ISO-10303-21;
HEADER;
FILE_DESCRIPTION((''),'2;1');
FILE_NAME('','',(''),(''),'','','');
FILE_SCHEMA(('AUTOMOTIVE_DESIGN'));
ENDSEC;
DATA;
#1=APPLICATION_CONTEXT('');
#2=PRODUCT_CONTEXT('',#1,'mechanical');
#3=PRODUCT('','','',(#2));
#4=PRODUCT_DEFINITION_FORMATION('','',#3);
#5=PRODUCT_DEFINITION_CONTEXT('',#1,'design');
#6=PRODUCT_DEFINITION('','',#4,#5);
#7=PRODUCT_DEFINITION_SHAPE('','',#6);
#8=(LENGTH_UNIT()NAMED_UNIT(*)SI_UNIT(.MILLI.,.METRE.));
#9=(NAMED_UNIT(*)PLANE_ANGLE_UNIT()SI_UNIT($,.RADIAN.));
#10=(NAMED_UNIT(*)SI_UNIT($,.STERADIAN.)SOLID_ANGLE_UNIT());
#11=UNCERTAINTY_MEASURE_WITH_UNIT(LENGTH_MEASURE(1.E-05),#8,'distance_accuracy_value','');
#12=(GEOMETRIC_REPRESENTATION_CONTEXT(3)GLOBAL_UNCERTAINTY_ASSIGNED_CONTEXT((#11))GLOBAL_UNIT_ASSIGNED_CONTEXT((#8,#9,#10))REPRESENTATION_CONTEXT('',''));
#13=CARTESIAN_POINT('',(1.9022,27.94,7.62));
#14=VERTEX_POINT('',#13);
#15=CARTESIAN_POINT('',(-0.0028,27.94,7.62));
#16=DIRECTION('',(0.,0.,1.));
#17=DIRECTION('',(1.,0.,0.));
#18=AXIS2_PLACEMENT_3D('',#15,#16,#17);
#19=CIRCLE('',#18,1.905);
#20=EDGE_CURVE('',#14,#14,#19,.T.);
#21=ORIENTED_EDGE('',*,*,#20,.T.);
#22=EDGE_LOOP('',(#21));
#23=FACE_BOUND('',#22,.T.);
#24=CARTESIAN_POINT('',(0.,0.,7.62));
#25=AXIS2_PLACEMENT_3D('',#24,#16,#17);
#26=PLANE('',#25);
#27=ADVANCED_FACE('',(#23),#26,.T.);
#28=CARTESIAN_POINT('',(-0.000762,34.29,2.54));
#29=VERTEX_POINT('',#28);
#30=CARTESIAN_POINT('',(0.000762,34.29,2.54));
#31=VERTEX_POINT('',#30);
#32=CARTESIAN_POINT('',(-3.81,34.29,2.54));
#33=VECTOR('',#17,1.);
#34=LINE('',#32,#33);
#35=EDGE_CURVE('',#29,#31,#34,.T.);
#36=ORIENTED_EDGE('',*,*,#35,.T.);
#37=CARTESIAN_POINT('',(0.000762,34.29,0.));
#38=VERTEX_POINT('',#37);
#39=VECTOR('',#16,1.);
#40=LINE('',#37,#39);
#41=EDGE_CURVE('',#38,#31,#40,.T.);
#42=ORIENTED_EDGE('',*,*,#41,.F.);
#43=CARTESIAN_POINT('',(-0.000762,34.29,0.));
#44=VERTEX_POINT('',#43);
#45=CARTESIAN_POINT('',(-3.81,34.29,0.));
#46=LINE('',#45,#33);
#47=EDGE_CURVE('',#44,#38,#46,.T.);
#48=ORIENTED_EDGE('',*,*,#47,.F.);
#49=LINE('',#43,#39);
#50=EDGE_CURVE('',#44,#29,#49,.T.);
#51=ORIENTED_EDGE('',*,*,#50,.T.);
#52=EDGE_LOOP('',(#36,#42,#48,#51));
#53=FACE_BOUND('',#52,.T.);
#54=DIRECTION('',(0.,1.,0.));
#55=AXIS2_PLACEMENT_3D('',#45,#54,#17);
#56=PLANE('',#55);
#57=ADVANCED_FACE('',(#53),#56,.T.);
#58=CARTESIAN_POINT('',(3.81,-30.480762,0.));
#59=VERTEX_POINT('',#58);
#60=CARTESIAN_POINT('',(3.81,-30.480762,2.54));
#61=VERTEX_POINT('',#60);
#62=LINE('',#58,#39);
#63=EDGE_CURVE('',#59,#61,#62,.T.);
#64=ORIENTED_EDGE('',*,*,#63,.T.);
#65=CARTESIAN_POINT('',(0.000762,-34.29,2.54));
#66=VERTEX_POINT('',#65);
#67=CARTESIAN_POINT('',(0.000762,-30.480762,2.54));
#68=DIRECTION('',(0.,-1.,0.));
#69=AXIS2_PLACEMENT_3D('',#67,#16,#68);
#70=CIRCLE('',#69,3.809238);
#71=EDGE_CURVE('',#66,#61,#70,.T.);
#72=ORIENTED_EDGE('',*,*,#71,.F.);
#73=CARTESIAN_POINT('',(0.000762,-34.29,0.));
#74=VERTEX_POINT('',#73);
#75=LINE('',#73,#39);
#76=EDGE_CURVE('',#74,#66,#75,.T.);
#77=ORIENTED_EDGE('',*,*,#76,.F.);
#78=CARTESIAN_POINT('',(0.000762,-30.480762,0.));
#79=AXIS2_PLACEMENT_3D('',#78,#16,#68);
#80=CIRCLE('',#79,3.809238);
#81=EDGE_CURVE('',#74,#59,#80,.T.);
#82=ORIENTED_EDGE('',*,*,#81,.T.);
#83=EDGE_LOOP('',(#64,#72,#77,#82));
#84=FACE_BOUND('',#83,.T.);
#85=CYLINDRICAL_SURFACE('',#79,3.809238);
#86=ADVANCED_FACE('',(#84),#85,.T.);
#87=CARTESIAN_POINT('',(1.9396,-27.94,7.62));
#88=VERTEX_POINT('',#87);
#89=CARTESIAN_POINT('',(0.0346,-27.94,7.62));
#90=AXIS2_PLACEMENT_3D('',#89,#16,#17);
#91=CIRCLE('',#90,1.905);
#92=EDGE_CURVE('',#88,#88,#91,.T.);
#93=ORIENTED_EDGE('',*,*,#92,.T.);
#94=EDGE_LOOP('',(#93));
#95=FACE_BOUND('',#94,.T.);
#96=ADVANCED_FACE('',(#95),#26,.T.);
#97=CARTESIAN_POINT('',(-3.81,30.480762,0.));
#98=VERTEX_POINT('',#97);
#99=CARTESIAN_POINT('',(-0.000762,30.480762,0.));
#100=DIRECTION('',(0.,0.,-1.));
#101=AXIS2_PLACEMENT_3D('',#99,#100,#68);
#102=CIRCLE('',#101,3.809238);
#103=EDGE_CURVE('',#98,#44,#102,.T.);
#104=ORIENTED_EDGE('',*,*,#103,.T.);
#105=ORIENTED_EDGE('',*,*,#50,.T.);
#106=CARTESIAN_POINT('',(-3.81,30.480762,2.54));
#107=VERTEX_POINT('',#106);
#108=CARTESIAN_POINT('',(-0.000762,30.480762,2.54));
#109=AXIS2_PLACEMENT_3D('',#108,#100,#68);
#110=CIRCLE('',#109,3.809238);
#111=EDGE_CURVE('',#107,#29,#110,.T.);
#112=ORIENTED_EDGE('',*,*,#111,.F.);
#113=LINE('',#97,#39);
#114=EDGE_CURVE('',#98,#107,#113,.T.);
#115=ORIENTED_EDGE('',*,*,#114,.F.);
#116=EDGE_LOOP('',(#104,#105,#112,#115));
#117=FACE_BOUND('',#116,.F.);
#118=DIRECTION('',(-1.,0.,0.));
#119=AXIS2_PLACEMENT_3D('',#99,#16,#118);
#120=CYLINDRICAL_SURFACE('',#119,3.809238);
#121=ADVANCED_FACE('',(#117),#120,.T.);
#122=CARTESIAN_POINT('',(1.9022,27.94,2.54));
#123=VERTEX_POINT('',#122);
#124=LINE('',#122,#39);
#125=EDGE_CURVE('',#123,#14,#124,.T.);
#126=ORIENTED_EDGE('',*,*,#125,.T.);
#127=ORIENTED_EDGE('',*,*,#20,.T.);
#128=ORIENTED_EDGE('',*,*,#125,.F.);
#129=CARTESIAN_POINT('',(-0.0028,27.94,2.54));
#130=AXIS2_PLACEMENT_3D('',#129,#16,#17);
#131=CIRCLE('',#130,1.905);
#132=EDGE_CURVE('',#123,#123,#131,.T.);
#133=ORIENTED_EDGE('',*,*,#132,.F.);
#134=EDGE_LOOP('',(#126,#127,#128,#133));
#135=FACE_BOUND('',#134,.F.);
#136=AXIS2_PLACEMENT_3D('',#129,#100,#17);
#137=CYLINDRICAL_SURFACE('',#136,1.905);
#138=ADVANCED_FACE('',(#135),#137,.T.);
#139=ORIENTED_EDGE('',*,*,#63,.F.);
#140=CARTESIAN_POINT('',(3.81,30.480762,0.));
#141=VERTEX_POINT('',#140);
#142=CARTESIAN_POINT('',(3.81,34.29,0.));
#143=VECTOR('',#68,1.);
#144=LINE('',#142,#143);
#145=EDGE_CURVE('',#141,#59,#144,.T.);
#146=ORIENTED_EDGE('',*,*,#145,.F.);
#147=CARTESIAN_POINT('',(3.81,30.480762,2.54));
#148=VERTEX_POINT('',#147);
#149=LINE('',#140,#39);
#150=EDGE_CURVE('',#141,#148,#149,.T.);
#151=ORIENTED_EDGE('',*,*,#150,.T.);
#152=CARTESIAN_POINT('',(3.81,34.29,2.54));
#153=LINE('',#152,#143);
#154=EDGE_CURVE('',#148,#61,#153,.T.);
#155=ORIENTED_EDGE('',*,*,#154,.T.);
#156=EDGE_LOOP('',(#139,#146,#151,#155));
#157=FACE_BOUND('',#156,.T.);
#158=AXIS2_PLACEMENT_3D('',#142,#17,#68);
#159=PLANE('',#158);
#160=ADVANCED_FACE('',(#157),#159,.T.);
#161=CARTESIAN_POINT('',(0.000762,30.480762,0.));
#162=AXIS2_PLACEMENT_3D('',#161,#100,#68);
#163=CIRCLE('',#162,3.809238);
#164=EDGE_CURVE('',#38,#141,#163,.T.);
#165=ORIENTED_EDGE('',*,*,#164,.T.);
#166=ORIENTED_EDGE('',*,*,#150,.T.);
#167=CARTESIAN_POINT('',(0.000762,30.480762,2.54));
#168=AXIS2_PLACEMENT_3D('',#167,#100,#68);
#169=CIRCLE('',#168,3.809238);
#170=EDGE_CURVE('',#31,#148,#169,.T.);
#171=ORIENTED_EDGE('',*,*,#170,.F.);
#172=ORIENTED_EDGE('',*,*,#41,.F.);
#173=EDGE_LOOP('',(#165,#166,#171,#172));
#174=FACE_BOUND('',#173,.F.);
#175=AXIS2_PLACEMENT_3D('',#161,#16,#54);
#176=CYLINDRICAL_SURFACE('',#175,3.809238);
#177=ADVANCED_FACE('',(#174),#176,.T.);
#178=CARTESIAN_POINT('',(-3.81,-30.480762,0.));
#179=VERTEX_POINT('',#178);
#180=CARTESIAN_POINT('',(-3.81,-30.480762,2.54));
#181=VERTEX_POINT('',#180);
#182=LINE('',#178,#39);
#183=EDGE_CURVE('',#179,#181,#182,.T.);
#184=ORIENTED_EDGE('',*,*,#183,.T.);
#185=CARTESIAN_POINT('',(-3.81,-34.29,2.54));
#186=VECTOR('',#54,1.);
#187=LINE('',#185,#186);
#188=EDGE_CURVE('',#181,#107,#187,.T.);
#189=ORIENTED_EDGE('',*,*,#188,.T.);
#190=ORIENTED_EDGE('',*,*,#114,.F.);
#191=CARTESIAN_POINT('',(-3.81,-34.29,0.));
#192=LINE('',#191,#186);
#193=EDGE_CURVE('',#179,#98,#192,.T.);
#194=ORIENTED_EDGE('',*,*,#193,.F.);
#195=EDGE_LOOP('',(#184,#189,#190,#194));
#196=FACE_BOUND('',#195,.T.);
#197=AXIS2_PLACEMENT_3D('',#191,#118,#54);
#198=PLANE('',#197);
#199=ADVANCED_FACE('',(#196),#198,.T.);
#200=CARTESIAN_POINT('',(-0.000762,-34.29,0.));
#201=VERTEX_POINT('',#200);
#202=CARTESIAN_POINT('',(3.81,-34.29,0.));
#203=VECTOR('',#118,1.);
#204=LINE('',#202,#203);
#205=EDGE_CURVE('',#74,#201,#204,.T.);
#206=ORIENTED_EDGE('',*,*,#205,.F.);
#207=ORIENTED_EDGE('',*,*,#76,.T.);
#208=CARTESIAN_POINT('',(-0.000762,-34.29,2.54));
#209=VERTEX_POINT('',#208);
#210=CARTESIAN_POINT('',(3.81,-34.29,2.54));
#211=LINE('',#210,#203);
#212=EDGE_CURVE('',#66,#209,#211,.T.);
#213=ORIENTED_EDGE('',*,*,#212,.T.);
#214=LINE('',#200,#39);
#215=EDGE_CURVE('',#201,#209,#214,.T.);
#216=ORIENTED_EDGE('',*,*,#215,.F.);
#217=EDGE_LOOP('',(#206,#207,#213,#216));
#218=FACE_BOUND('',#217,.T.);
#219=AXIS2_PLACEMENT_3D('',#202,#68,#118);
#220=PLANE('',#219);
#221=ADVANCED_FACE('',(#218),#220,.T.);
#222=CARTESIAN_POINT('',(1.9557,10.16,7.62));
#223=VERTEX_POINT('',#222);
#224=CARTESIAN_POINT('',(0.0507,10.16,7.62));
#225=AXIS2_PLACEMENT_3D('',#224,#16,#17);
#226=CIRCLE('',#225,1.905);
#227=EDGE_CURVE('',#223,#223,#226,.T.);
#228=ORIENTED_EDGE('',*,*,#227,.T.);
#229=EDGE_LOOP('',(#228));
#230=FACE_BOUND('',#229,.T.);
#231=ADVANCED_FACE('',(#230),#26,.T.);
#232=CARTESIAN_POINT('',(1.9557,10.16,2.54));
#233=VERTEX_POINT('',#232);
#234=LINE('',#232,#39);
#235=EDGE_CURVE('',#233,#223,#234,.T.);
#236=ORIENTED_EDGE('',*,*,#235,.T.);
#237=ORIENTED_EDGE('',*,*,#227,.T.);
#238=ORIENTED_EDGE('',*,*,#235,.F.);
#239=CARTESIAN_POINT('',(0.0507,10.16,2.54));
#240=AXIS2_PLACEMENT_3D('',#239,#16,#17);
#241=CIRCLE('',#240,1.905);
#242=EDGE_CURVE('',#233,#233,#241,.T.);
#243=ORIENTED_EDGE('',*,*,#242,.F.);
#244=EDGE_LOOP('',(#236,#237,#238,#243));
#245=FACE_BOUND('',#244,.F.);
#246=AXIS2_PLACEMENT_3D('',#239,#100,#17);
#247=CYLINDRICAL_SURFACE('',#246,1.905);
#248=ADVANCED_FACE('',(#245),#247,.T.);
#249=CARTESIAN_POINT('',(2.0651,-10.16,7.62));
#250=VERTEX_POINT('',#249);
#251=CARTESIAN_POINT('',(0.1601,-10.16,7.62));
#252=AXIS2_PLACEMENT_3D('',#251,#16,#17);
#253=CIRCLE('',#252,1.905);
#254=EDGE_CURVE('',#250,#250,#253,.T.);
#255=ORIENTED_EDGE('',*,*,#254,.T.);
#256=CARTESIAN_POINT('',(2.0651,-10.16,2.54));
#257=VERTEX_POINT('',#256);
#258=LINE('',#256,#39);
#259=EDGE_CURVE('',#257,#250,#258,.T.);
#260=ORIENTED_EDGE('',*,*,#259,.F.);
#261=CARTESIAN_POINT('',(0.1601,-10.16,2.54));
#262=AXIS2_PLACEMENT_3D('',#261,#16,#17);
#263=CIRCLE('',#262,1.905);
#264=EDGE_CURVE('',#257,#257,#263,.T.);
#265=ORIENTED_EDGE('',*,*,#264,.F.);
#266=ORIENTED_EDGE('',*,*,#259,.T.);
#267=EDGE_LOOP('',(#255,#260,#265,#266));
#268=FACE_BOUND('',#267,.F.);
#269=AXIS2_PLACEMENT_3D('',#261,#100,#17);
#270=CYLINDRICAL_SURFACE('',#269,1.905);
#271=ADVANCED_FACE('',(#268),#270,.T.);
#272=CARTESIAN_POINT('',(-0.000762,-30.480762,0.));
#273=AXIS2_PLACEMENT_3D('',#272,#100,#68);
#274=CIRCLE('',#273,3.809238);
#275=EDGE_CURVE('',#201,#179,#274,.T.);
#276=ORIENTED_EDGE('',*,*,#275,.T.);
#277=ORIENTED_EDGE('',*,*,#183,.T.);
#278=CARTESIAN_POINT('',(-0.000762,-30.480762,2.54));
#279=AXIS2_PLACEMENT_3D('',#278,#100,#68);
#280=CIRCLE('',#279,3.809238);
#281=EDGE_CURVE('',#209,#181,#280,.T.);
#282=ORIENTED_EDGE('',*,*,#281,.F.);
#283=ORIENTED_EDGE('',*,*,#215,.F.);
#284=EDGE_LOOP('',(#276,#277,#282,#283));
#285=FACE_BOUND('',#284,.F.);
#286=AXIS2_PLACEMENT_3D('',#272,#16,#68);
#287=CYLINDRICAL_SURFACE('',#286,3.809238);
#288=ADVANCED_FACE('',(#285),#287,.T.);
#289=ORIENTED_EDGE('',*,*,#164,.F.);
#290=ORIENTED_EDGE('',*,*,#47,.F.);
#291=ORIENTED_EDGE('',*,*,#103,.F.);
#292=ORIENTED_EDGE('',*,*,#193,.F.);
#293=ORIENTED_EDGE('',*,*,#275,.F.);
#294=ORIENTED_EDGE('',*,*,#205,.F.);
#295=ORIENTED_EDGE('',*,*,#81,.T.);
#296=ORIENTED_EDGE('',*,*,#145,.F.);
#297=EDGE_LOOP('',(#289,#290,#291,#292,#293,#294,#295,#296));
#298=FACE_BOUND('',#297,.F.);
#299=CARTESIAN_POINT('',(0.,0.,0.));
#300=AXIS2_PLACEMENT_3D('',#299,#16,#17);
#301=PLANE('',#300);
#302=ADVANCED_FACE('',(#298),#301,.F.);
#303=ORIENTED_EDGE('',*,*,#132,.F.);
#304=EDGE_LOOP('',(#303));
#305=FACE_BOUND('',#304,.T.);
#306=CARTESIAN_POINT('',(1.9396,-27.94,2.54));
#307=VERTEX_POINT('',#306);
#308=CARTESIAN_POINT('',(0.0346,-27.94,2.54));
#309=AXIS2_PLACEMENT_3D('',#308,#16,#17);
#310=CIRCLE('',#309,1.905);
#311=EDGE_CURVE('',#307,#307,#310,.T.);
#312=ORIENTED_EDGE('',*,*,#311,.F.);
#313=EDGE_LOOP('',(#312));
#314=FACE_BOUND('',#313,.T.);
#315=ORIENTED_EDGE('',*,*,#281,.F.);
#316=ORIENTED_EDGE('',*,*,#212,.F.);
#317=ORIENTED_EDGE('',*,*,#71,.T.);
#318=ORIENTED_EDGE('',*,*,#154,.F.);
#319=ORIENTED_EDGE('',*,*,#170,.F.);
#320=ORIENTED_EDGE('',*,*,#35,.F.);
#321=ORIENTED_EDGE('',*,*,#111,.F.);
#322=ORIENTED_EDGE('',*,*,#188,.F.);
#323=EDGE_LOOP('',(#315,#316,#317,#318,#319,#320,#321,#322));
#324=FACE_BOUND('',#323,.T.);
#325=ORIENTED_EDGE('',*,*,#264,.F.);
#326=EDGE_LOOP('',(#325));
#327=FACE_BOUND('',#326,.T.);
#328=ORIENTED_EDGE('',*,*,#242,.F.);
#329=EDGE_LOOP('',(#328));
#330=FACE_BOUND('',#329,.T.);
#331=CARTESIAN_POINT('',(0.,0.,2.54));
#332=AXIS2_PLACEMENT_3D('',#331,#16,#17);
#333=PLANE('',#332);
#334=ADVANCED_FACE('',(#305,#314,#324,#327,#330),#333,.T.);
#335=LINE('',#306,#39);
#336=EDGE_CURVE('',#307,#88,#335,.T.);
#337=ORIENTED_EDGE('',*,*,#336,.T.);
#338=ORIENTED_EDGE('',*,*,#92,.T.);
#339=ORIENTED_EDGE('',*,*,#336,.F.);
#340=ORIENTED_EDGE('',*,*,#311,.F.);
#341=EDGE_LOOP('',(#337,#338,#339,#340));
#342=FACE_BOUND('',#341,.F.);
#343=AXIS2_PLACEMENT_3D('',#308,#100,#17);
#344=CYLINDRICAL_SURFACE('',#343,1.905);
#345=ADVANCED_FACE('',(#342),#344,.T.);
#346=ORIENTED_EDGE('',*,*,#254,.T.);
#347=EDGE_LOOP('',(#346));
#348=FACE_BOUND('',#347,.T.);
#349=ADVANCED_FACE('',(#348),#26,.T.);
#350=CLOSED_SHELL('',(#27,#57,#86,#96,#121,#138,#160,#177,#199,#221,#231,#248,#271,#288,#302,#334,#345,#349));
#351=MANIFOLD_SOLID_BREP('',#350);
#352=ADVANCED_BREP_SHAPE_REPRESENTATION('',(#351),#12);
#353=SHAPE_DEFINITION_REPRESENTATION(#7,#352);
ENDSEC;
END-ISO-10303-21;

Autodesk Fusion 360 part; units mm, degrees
sketch "Sketch5" plane through (0, 0, 0) normal (0, 0, 1) x (1, 0, 0)
  line L0 (3.81, -34.29) -> (-3.81, -34.29)
  line L1 (-3.81, -34.29) -> (-3.81, 34.29)
  line L2 (-3.81, 34.29) -> (3.81, 34.29)
  line L3 (3.81, 34.29) -> (3.81, -34.29)
  line L4 (3.81, -34.29) -> (-3.81, 34.29) construction
  line L5 (-3.81, -34.29) -> (3.81, 34.29) construction
  dimension "d45" = 7.62
  dimension "d46" = 68.58
extrude "Extrude3" add sketch "Sketch5" along normal blind 2.54
fillet "Fillet2" radius 3.81 4 edges at (3.81, 34.29, 1.27) (3.81, -34.29, 1.27) (-3.81, 34.29, 1.27) (-3.81, -34.29, 1.27)
sketch "Sketch6" plane through (0, 0, 2.54) normal (0, 0, 1) x (1, 0, 0)
  arc A0 (-3.81, -30.48) -> (3.81, -30.48) centre (0, -30.48) ccw
  line L0 (3.81, -30.48) -> (3.81, 30.48)
  arc A1 (3.81, 30.48) -> (-3.81, 30.48) centre (0, 30.48) ccw
  line L1 (-3.81, 30.48) -> (-3.81, -30.48)
  circle A2 centre (-0.0028, 27.94) radius 1.905
  circle A3 centre (0.0507, 10.16) radius 1.905
  circle A4 centre (0.1601, -10.16) radius 1.905
  circle A5 centre (0.0346, -27.94) radius 1.905
  point P0 (0.0507, 10.16)
  point P1 (-0.0028, 27.94)
  point P2 (0.1601, -10.16)
  point P3 (0.0346, -27.94)
  dimension "d54" = 10.16
  dimension "d55" = 27.94
  dimension "d56" = 10.16
  dimension "d57" = 27.94
  dimension "d58" = 3.81
  dimension "d59" = 3.81
  dimension "d60" = 3.81
  dimension "d61" = 3.81
extrude "Extrude4" add sketch "Sketch6" along normal blind 5.08 contours A2 | A3 | A4 | A5
equation "shelfThickness = 0.1 in"
equation "shelfWidth = 1.5 in"
equation "shelfDepth = 1.5 in"
equation "trussThickness = 0.1 in"
equation "tabInset = trussThickness / 2"
equation "tabWidth = 0.5 in"
equation "tab1Offset = tabBaseOffset + tabWidth / 2"
equation "tab2Offset = tabBaseOffset + ( tabWidth / 2 ) + tabSeparation"
equation "tabBaseOffset = 0.15 in"
equation "tabSeparation = tabWidth + 0.2 in"
equation "trussWidth = 0.3 in"
equation "trussLength = ( 2 * tab2Offset + 0.5 in )"
equation "d45 = trussWidth"
equation "d46 = trussLength"
equation "d47 = trussThickness"
equation "tabHeight = 0.3 in"
equation "studLength = 0.2 in"
equation "studDiameter = 0.15 in"
equation "d54 = tab1Offset"
equation "d55 = tab2Offset"
equation "d56 = tab1Offset"
equation "d57 = tab2Offset"
equation "d58 = studDiameter"
equation "d59 = studDiameter"
equation "d60 = studDiameter"
equation "d61 = studDiameter"
equation "d62 = studLength"
